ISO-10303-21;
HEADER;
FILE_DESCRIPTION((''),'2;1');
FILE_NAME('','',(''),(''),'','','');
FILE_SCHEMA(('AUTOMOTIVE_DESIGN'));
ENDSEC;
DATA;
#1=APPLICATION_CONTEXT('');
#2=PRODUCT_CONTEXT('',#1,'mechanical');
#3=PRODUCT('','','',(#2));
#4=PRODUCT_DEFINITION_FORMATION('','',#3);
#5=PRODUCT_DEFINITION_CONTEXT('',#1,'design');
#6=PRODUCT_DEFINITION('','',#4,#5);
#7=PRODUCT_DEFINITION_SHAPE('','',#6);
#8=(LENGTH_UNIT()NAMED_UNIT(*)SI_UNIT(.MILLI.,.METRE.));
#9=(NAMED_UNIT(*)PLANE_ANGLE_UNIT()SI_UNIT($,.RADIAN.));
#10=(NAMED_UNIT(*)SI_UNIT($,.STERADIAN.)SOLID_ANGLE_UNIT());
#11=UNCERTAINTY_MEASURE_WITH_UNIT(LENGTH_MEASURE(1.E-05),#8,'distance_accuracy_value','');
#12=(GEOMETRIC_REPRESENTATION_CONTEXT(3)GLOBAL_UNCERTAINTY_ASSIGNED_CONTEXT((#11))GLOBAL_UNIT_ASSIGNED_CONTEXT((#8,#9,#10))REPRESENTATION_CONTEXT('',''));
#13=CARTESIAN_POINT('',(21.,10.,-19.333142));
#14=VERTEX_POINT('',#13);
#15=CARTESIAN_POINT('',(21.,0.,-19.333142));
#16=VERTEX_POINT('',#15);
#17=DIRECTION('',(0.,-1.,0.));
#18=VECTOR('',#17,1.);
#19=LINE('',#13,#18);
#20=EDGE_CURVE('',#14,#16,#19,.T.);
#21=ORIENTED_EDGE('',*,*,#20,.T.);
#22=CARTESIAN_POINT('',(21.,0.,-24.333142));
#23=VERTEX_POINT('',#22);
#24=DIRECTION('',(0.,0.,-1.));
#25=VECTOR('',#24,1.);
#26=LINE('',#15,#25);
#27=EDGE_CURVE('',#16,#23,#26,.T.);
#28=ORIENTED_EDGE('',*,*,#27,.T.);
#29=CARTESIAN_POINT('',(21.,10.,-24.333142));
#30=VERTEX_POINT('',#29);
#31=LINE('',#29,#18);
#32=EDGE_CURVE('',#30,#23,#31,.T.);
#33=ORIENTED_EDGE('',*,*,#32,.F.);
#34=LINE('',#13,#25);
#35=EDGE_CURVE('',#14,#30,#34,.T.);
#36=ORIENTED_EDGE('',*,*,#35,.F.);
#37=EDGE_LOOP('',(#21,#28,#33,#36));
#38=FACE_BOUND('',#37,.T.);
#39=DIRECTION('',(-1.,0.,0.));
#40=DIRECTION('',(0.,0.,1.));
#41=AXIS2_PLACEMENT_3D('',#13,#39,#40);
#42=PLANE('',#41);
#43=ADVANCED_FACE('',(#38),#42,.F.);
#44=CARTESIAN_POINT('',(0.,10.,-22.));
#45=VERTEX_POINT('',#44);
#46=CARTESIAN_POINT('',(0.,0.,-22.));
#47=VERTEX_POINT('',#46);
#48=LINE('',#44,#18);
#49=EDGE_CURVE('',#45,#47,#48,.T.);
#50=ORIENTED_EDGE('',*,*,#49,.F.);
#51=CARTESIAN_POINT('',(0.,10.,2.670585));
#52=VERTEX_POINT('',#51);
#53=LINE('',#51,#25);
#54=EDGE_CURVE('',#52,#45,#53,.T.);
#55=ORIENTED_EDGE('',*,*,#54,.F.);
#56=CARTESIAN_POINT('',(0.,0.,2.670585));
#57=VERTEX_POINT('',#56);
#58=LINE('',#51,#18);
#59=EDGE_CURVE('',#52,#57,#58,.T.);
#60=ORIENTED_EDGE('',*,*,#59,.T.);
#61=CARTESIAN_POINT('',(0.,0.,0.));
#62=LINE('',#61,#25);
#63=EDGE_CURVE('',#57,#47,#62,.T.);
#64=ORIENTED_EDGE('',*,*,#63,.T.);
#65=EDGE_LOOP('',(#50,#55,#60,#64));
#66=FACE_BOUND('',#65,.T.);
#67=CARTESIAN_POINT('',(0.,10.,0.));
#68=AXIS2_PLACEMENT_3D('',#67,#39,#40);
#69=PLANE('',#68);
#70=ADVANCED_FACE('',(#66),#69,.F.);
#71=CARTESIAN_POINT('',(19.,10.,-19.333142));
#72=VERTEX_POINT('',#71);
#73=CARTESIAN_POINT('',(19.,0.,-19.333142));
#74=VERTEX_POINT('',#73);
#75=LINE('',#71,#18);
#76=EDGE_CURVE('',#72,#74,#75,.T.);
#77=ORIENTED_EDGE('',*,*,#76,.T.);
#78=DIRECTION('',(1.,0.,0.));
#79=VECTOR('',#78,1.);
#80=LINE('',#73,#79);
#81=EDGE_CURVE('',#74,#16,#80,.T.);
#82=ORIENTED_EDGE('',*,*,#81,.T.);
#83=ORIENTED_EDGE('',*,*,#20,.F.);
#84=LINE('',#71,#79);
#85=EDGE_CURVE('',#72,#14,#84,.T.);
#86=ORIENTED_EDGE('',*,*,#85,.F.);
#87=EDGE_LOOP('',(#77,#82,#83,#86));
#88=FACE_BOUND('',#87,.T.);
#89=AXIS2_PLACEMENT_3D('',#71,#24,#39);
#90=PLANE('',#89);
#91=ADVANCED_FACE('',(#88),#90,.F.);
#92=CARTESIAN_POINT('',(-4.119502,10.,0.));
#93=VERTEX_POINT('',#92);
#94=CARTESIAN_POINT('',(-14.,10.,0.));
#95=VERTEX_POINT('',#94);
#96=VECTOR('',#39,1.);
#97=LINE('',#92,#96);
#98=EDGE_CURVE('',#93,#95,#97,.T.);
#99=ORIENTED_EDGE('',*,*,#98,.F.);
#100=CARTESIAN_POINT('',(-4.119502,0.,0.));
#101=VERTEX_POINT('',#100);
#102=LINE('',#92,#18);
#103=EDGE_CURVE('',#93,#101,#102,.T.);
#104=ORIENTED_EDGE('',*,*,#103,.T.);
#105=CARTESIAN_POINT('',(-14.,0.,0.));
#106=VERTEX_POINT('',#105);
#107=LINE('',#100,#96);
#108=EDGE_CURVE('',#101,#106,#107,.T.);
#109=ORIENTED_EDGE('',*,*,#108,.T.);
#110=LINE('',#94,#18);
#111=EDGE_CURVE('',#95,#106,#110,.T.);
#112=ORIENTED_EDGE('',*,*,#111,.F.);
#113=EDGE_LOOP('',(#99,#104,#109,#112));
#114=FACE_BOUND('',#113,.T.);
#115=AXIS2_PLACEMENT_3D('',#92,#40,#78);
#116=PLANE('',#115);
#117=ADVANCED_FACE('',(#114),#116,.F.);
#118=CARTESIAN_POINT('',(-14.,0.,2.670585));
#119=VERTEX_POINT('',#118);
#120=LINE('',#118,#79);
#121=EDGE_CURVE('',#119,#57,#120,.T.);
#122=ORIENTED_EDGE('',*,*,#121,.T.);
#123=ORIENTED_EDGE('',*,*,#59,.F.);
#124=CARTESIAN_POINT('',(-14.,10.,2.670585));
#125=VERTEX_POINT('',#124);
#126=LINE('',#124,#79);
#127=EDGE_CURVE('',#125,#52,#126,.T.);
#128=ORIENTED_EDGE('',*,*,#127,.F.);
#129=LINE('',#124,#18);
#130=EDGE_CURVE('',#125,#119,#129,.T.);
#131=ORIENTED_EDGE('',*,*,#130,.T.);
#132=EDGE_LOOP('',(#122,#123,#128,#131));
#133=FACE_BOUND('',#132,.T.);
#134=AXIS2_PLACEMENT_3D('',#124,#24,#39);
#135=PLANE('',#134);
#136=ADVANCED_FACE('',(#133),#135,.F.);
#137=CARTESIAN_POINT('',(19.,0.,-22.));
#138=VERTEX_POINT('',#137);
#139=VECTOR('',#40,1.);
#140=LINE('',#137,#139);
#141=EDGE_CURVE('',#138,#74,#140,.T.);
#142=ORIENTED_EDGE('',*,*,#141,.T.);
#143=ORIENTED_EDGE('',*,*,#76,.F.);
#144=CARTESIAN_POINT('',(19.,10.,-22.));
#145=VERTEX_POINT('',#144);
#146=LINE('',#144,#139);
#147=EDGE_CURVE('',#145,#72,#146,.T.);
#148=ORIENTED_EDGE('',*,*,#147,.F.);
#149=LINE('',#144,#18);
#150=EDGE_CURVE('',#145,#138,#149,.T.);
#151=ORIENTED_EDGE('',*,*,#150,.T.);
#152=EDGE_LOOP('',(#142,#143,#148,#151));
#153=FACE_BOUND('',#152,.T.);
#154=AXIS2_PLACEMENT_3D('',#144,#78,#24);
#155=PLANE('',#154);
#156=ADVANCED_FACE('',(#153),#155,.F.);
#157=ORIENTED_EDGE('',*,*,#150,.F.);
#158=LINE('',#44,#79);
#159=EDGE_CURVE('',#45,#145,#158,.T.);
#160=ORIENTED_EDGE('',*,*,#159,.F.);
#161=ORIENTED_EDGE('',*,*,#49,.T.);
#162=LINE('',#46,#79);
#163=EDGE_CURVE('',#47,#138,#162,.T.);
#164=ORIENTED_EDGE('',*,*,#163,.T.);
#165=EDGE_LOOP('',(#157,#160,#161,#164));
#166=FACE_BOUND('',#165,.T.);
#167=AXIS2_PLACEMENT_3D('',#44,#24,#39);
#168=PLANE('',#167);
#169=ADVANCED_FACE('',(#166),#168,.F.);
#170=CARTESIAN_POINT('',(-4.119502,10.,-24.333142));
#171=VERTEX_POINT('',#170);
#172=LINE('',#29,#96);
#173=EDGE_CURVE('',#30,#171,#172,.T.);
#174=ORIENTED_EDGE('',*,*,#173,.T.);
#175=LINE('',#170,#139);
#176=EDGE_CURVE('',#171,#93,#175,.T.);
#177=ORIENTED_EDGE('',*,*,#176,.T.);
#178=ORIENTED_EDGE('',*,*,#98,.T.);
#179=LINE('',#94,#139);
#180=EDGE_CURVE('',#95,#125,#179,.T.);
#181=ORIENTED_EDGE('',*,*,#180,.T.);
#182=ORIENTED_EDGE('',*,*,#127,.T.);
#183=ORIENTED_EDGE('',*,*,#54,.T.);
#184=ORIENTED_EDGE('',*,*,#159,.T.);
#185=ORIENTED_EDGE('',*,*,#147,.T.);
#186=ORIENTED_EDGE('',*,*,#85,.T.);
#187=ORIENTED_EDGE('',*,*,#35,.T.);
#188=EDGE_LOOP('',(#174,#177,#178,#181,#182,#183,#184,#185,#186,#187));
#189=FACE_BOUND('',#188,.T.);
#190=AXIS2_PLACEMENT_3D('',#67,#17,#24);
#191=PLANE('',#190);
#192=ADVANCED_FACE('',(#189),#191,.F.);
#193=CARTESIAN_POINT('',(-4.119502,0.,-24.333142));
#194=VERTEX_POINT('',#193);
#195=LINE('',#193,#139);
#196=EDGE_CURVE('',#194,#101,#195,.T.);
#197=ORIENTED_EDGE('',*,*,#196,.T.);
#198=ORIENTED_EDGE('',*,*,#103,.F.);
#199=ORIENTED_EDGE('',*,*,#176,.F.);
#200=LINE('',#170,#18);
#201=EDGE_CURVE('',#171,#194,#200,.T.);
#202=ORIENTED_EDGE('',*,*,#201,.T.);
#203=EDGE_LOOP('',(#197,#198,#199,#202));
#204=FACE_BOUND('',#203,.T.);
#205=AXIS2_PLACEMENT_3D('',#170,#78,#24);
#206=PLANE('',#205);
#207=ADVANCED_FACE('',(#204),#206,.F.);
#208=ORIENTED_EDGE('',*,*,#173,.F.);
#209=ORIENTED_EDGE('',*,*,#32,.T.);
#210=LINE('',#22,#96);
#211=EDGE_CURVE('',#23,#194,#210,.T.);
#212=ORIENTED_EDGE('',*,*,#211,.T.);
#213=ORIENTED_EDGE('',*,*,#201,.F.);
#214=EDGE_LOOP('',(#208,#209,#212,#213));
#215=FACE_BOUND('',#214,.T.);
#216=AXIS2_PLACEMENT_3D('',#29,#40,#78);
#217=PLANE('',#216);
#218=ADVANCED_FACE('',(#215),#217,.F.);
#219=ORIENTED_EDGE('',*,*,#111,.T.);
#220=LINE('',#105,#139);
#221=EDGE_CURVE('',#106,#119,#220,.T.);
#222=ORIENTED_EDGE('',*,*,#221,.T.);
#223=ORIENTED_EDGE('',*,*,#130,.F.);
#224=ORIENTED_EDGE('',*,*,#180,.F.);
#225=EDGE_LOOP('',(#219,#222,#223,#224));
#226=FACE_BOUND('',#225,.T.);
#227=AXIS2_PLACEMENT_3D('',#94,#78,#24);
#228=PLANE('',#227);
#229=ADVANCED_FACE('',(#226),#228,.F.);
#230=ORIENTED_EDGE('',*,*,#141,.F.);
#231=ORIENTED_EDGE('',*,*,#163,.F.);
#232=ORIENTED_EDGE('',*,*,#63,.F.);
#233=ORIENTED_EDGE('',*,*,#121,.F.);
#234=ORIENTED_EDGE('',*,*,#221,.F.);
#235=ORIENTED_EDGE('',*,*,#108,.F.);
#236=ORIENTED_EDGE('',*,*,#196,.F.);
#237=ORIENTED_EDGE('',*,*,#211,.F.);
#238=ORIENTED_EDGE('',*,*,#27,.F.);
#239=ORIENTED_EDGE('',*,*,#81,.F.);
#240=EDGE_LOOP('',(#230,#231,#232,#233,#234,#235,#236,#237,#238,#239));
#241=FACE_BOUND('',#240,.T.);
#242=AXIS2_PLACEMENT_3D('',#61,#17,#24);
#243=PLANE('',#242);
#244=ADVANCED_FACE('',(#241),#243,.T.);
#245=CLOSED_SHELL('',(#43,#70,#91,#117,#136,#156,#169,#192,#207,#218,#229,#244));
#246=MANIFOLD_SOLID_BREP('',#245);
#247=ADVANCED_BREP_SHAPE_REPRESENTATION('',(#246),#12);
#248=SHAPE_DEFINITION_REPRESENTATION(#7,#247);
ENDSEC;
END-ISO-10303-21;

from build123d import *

# Parameters (mm, degrees)
BOSS_EXTRUDE1_DEPTH = 10


with BuildPart() as part:
    # Sketch2 → Boss-Extrude1 (new body)
    with BuildSketch(Plane(origin=(0, 0, 0), x_dir=(1, 0, 0), z_dir=(0, 1, 0))):
        Polygon((0, 0), (0, 22), (19, 22), (19, 19.333142244), (21, 19.333142244), (21, 24.333142244), (-4.119501692, 24.333142244), (-4.119501692, 0), (-14, 0), (-14, -2.670585351), (0, -2.670585351), align=None)
    extrude(amount=BOSS_EXTRUDE1_DEPTH)


solid = part.part
